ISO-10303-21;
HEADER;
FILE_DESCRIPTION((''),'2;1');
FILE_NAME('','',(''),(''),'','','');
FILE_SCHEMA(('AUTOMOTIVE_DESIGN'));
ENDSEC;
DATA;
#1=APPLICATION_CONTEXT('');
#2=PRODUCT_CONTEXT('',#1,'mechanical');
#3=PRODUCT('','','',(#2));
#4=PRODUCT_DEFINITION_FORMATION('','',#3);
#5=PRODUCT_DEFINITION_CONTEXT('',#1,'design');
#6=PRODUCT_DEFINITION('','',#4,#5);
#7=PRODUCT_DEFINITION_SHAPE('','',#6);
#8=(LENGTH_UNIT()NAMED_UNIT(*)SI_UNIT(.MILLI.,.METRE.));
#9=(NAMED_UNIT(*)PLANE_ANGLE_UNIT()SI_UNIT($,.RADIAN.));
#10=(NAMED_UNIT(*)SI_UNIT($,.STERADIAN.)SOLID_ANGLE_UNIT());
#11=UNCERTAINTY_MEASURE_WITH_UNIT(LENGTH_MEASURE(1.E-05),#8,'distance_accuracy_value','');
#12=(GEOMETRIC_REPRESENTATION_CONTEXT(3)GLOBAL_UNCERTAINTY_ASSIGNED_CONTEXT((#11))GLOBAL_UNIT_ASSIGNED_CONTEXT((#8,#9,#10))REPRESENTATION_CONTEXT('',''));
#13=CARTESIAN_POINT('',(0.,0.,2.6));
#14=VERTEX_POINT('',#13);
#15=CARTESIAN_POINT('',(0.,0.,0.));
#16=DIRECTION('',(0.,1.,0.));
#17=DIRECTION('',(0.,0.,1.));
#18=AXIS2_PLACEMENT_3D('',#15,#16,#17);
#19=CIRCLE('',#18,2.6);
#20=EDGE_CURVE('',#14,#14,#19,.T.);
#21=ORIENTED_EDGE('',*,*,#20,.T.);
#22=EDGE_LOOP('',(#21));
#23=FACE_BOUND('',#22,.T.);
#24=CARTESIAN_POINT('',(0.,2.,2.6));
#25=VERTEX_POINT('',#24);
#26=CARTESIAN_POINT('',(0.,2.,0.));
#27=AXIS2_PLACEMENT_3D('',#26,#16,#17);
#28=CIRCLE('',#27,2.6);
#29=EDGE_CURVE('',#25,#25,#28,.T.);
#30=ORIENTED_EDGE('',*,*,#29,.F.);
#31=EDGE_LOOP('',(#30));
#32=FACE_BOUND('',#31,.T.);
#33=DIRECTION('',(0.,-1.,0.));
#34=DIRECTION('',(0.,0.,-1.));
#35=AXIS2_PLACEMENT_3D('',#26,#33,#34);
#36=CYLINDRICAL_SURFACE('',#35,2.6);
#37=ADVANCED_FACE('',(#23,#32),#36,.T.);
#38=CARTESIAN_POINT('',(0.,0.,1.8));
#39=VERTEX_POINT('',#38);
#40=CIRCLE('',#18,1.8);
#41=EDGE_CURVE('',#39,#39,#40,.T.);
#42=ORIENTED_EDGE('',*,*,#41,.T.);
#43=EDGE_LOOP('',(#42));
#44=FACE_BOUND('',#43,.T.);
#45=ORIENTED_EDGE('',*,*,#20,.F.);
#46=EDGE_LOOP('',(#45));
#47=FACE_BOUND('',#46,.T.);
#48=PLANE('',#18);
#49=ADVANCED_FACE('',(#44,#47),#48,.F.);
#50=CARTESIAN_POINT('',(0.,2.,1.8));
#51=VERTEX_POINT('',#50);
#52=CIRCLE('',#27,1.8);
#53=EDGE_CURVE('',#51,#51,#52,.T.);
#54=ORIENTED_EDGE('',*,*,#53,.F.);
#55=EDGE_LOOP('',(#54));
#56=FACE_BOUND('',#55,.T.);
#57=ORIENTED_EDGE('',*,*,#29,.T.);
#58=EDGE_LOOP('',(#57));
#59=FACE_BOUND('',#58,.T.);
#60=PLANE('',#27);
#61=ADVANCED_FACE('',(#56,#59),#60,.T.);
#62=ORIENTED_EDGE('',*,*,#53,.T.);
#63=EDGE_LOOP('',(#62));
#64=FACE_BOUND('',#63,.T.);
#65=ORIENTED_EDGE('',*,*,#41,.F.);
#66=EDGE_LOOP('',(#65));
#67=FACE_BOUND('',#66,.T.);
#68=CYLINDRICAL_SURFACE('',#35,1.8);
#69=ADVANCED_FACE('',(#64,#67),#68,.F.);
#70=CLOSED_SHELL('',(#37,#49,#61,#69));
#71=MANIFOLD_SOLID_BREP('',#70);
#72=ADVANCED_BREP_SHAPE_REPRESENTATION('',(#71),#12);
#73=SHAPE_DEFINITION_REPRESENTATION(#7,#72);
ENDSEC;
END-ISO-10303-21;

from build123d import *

# Parameters (mm, degrees)
SKETCH1_R           = 2.6
SKETCH1_R_2         = 1.8
BOSS_EXTRUDE1_DEPTH = 2


with BuildPart() as part:
    # Sketch1 → Boss-Extrude1 (new body)
    with BuildSketch(Plane(origin=(0, 0, 0), x_dir=(1, 0, 0), z_dir=(0, 1, 0))):
        Circle(SKETCH1_R)
        Circle(SKETCH1_R_2, mode=Mode.SUBTRACT)
    extrude(amount=BOSS_EXTRUDE1_DEPTH)


solid = part.part
